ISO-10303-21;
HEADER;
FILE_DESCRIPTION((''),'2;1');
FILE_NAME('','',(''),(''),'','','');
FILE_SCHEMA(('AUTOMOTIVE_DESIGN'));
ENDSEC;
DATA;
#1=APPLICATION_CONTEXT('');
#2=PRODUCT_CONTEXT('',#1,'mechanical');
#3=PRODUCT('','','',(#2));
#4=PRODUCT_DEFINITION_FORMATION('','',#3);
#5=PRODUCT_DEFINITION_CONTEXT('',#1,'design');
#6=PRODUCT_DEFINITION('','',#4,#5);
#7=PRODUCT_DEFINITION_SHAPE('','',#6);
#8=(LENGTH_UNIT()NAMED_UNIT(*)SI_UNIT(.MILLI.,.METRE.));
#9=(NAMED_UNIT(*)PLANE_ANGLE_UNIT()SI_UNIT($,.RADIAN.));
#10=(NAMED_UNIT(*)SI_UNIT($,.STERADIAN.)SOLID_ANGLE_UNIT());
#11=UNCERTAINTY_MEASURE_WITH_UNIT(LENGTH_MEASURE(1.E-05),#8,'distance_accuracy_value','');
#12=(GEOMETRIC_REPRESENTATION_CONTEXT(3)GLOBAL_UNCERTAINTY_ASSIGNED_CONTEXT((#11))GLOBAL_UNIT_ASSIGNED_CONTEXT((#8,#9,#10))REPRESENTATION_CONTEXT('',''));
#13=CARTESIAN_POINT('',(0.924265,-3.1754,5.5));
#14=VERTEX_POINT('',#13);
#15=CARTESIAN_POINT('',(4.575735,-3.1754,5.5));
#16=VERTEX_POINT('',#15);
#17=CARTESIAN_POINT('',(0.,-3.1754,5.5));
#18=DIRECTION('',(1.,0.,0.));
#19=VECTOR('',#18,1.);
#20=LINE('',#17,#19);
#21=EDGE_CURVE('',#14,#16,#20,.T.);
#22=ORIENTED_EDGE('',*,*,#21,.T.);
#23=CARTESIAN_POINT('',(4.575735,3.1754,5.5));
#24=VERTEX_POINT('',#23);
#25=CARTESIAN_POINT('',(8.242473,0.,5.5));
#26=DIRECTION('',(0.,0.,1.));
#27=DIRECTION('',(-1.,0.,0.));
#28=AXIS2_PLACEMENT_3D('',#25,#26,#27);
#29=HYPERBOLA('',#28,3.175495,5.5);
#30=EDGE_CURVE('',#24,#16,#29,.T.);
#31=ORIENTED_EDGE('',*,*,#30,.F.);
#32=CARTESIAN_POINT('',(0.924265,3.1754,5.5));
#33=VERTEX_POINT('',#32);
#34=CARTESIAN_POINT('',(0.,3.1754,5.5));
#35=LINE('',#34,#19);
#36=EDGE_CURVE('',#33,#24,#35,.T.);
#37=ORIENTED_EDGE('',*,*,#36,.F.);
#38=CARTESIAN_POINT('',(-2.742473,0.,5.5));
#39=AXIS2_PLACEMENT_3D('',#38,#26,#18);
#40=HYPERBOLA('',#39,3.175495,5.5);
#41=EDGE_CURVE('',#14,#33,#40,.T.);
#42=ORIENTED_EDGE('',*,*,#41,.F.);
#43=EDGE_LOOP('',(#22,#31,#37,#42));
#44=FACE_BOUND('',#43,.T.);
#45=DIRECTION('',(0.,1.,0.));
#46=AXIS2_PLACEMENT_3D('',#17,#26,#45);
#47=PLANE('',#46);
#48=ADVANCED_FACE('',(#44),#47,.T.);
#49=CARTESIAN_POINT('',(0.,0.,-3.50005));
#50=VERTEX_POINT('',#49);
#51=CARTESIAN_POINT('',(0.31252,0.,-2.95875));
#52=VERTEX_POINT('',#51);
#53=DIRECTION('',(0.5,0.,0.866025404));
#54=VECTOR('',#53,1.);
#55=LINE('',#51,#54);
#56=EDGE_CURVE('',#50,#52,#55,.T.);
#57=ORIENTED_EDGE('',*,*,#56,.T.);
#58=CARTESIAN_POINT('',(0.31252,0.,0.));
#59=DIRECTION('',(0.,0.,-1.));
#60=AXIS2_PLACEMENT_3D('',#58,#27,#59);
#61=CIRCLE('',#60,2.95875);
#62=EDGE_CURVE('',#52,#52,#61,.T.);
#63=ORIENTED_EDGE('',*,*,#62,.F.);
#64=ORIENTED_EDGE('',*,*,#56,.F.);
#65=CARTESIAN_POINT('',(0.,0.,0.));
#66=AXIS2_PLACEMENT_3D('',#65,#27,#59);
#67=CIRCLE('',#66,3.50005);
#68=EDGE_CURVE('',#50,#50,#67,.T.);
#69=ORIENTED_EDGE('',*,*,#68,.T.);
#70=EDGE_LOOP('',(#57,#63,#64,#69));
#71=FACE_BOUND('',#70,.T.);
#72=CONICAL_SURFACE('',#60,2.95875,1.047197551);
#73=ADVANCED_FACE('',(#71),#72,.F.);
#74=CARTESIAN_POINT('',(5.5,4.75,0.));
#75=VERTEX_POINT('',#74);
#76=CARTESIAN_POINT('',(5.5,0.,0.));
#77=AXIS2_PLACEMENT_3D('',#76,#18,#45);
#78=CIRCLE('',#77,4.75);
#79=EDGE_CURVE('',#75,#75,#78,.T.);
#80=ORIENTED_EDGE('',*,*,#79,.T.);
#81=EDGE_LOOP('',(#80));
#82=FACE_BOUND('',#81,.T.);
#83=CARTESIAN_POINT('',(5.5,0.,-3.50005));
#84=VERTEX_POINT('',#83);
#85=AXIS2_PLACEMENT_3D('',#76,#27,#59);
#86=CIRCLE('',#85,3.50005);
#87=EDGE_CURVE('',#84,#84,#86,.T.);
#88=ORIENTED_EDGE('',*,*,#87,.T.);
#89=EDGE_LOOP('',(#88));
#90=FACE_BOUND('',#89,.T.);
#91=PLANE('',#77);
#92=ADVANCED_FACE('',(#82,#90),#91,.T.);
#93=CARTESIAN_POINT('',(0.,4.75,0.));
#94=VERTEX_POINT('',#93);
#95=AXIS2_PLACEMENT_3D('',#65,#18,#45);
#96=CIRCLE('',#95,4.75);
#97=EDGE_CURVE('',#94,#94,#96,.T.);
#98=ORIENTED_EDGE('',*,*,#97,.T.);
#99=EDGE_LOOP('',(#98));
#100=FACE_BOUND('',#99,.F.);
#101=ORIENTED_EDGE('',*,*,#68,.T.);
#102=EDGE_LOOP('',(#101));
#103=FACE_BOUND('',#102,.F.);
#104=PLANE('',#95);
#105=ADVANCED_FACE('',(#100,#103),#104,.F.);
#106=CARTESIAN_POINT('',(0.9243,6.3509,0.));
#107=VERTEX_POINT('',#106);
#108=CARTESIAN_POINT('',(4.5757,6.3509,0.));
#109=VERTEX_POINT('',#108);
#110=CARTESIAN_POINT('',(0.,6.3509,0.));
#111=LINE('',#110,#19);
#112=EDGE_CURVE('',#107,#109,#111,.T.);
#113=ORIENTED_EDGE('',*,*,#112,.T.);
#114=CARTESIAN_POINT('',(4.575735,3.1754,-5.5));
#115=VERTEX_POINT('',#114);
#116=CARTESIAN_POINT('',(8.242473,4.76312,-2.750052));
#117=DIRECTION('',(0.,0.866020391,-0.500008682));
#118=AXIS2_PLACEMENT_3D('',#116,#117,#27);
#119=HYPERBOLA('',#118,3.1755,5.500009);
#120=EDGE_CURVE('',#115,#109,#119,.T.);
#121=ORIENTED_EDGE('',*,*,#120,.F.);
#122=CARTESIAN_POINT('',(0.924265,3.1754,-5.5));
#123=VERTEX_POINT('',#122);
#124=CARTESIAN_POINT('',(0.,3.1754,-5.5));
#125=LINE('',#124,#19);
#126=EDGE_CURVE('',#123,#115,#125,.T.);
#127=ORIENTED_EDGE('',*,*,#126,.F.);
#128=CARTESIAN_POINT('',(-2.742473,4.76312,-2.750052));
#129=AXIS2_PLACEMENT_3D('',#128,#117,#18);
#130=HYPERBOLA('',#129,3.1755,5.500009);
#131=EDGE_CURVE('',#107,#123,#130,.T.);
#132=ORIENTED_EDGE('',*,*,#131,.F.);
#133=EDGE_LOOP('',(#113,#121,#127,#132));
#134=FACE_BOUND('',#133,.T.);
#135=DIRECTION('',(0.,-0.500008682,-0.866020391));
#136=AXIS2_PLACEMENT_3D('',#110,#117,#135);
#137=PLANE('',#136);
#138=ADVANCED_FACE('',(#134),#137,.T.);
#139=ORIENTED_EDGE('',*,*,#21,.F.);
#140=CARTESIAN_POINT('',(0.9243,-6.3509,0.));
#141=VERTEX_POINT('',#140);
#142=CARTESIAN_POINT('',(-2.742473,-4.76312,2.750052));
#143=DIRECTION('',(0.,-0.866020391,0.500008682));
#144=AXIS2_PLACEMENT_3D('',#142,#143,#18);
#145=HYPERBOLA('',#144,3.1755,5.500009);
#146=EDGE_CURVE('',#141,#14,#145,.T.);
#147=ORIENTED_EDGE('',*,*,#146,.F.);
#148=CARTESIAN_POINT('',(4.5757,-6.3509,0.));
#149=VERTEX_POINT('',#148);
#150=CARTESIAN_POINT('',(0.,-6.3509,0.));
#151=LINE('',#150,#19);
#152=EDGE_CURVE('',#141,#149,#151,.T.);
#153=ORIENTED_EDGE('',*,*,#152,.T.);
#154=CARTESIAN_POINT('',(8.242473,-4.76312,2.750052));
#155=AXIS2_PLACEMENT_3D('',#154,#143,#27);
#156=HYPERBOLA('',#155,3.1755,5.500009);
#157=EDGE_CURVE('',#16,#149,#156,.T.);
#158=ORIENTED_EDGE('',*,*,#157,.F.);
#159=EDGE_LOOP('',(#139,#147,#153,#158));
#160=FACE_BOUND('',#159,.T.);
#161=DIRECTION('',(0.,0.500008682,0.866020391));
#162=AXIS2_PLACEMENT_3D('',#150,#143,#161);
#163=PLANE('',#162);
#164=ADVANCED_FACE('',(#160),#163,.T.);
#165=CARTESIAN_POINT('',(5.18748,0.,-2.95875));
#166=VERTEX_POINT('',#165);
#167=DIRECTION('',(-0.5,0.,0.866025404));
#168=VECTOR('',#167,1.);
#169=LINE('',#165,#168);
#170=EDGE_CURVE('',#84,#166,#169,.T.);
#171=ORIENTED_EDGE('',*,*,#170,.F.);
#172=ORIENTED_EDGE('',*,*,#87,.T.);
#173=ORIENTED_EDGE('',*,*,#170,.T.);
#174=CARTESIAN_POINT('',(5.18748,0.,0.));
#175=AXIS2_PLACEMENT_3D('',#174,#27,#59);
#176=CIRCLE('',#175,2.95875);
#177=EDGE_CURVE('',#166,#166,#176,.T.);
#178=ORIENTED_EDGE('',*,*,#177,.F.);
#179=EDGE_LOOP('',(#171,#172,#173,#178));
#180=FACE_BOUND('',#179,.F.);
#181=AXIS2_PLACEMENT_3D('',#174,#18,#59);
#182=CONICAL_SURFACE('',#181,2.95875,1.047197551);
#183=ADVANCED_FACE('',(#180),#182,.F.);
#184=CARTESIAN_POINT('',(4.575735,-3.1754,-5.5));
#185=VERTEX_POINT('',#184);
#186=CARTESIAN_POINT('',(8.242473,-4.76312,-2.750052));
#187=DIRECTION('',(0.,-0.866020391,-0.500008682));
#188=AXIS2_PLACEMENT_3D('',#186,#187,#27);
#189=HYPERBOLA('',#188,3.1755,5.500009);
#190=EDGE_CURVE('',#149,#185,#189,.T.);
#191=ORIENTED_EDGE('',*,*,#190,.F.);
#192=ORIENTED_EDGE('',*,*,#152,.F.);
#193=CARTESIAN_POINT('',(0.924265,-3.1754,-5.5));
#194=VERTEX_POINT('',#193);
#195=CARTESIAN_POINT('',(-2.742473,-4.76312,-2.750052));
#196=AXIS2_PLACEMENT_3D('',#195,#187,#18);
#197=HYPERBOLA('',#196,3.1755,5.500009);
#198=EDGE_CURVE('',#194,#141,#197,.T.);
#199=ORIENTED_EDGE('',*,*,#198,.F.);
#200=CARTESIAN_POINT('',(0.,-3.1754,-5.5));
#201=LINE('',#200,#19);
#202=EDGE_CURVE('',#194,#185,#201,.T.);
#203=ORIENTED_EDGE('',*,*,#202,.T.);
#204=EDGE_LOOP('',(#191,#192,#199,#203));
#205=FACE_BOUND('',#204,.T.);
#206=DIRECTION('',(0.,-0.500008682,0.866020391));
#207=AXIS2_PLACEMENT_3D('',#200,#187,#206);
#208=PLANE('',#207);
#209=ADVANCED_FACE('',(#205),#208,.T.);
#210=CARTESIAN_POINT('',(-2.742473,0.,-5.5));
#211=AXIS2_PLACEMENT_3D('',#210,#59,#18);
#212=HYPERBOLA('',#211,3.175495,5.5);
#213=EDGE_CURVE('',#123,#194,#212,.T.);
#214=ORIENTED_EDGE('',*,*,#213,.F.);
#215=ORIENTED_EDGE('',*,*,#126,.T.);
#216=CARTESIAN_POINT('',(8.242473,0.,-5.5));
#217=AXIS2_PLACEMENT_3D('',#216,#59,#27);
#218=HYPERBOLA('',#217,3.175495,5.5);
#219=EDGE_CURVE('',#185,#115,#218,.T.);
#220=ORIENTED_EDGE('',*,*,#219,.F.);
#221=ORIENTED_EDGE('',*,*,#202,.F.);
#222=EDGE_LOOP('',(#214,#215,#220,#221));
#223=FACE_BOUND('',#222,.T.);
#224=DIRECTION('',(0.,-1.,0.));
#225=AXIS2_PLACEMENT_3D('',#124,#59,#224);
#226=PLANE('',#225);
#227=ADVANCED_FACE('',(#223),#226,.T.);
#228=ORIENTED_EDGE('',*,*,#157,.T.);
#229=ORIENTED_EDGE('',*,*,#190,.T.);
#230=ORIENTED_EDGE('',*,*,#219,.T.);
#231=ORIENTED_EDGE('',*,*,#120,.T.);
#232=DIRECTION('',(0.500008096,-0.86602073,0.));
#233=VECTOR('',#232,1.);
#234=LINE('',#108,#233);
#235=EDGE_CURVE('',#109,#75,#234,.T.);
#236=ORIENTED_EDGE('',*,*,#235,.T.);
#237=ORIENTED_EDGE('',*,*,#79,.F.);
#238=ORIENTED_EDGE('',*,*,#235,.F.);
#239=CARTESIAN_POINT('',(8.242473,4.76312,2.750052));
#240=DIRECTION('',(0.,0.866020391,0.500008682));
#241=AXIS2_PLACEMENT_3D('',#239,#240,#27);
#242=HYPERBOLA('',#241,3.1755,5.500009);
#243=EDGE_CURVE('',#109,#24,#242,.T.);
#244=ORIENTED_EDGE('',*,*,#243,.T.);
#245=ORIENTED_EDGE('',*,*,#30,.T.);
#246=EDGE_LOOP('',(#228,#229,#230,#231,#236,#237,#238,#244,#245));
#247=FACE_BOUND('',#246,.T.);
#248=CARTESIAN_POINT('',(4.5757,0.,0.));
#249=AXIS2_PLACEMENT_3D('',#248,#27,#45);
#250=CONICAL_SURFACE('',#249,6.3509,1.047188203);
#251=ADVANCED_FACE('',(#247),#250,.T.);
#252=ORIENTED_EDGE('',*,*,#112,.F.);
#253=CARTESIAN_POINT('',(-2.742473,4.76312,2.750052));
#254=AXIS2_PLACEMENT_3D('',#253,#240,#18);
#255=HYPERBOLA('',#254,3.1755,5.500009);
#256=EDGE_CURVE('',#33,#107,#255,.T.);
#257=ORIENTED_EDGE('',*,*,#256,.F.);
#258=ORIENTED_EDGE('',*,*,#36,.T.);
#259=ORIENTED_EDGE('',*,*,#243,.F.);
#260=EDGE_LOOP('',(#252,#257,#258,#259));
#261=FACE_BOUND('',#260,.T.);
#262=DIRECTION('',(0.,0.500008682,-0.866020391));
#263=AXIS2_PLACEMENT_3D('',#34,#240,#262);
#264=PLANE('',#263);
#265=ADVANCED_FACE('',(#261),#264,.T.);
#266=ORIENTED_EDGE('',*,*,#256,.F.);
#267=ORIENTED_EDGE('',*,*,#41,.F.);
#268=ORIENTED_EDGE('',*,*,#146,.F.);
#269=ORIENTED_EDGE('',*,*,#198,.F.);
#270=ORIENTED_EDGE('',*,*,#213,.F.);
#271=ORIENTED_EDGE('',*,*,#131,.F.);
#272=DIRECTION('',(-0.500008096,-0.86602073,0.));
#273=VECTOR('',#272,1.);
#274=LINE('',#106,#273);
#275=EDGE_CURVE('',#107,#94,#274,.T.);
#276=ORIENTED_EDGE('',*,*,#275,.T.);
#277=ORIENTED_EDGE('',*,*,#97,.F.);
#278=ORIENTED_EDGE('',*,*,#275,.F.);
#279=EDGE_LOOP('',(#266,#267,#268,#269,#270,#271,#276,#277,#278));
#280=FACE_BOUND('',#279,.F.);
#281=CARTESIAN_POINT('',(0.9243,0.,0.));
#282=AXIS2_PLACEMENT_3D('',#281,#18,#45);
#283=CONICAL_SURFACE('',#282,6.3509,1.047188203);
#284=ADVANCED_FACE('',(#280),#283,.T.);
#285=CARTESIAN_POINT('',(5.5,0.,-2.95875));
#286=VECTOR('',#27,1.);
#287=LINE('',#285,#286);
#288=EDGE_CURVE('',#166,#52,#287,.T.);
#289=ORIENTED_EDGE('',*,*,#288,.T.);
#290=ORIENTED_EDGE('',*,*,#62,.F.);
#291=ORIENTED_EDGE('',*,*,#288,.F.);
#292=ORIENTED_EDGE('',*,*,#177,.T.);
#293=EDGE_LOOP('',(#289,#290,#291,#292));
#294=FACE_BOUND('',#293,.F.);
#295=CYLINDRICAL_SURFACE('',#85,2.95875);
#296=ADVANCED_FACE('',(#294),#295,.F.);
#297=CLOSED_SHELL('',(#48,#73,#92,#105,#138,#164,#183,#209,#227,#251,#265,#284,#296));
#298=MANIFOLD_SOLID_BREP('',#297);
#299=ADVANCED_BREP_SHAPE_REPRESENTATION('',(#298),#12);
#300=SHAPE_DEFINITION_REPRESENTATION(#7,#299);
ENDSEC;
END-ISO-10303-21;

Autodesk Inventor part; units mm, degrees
ref_plane "YZ Plane" through (0, 0, 0) normal (1, 0, 0) x (0, 1, 0)
ref_plane "XZ Plane" through (0, 0, 0) normal (0, 1, 0) x (-1, 0, 0)
sketch "Sketch1" plane through (0, 0, 0) normal (1, 0, 0) x (0, 1, 0)
  line L0 (-6.3509, 0) -> (-3.1754, 5.5)
  line L1 (-3.1754, 5.5) -> (3.1754, 5.5)
  line L2 (3.1754, 5.5) -> (6.3509, 0)
  line L3 (6.3509, 0) -> (3.1754, -5.5)
  line L4 (3.1754, -5.5) -> (-3.1754, -5.5)
  line L5 (-3.1754, -5.5) -> (-6.3509, 0)
  point P0 (0, 0)
  point P1 (0, 0)
  dimension "d0" = 12.7017
extrude "Body" add sketch "Sketch1" along normal blind 5.5
sketch "Sketch2" plane through (0, 0, 0) normal (0, 0, 1) x (1, 0, 0)
  line L0 (0, 3.1754) -> (0, 6.3509) projected
  line L1 (0, 6.3509) -> (5.5, 6.3509) projected
  line L2 (5.5, 3.1754) -> (5.5, 6.3509) projected
  line L3 (-1.1, 0) -> (6.6, 0) projected
  line L4 (0.9243, 6.3509) -> (0, 4.75)
  line L5 (4.5757, 6.3509) -> (5.5, 4.75)
  dimension "d3" = 30
  dimension "d4" = 30
  dimension "d5" = 9.5
  dimension "d6" = 9.5
revolve "Chamfer1" cut sketch "Sketch2" angle 360 about axis through (-10, 0, 0) along (1, 0, 0)
sketch "Sketch3" plane through (5.5, 0, 0) normal (1, 0, 0) x (0, 0, -1)
  arc A0 (-0.625, -1.0825) -> (0.625, -1.0825) centre (0, 0) ccw projected
hole "Thread" at (5.5, 0, 0) direction (-1, 0, 0) diameter 5.9175 end through all thread size "M7x1" class "6H" standard "ISO Metric profile"
chamfer "Chamfer2" distance 0.5413 angle 30 1 edges at (5.5, 0, 2.9587) measured on face at (5.5, 4.0997, -0.4978)
chamfer "Chamfer3" distance 0.5413 angle 30 1 edges at (0, 0, 2.9587) measured on face at (0, 4.0997, -0.4978)
ref_plane "Work Plane1" through (-12.18, 0, 0) normal (0, -0.866, -0.5) x (1, 0, 0)
equation "\"d0\" = 1.1547 * SW"
equation "\"d1\" = KOH"
equation "\"d8\" = -0.5 * GD1 + 0.5 * NND"
equation "\"d40\" = -0.5 * GD1 + 0.5 * NND"
equation "\"d10\" = -0.5 * GD1 + 0.5 * NND"
equation "\"d41\" = -0.5 * GD1 + 0.5 * NND"
equation "\"d3\" = ANG1"
equation "\"d4\" = ANG2"
equation "\"d5\" = SW0"
equation "\"d6\" = SW01"
equation "\"ANG1\" = 30deg"
equation "\"ANG2\" = 30deg"
equation "\"NND\" = 7"
equation "\"KOH\" = 5.5"
equation "\"SW\" = 11"
equation "\"SW0\" = SW01"
equation "\"SW01\" = 9.5"
equation "\"GUL\" = 0.541266 * PTC"
equation "\"THREADDIA\" = 7"
equation "\"TOA\" = 30deg"
equation "\"PTC\" = 1"
equation "\"E0\" = 1.155 * SW"
equation "\"GAL\" = 0.541266 * PTC"
equation "\"GD1\" = 5.917468"
properties part number "DIN 934 - M7" material "Steel, Mild"
